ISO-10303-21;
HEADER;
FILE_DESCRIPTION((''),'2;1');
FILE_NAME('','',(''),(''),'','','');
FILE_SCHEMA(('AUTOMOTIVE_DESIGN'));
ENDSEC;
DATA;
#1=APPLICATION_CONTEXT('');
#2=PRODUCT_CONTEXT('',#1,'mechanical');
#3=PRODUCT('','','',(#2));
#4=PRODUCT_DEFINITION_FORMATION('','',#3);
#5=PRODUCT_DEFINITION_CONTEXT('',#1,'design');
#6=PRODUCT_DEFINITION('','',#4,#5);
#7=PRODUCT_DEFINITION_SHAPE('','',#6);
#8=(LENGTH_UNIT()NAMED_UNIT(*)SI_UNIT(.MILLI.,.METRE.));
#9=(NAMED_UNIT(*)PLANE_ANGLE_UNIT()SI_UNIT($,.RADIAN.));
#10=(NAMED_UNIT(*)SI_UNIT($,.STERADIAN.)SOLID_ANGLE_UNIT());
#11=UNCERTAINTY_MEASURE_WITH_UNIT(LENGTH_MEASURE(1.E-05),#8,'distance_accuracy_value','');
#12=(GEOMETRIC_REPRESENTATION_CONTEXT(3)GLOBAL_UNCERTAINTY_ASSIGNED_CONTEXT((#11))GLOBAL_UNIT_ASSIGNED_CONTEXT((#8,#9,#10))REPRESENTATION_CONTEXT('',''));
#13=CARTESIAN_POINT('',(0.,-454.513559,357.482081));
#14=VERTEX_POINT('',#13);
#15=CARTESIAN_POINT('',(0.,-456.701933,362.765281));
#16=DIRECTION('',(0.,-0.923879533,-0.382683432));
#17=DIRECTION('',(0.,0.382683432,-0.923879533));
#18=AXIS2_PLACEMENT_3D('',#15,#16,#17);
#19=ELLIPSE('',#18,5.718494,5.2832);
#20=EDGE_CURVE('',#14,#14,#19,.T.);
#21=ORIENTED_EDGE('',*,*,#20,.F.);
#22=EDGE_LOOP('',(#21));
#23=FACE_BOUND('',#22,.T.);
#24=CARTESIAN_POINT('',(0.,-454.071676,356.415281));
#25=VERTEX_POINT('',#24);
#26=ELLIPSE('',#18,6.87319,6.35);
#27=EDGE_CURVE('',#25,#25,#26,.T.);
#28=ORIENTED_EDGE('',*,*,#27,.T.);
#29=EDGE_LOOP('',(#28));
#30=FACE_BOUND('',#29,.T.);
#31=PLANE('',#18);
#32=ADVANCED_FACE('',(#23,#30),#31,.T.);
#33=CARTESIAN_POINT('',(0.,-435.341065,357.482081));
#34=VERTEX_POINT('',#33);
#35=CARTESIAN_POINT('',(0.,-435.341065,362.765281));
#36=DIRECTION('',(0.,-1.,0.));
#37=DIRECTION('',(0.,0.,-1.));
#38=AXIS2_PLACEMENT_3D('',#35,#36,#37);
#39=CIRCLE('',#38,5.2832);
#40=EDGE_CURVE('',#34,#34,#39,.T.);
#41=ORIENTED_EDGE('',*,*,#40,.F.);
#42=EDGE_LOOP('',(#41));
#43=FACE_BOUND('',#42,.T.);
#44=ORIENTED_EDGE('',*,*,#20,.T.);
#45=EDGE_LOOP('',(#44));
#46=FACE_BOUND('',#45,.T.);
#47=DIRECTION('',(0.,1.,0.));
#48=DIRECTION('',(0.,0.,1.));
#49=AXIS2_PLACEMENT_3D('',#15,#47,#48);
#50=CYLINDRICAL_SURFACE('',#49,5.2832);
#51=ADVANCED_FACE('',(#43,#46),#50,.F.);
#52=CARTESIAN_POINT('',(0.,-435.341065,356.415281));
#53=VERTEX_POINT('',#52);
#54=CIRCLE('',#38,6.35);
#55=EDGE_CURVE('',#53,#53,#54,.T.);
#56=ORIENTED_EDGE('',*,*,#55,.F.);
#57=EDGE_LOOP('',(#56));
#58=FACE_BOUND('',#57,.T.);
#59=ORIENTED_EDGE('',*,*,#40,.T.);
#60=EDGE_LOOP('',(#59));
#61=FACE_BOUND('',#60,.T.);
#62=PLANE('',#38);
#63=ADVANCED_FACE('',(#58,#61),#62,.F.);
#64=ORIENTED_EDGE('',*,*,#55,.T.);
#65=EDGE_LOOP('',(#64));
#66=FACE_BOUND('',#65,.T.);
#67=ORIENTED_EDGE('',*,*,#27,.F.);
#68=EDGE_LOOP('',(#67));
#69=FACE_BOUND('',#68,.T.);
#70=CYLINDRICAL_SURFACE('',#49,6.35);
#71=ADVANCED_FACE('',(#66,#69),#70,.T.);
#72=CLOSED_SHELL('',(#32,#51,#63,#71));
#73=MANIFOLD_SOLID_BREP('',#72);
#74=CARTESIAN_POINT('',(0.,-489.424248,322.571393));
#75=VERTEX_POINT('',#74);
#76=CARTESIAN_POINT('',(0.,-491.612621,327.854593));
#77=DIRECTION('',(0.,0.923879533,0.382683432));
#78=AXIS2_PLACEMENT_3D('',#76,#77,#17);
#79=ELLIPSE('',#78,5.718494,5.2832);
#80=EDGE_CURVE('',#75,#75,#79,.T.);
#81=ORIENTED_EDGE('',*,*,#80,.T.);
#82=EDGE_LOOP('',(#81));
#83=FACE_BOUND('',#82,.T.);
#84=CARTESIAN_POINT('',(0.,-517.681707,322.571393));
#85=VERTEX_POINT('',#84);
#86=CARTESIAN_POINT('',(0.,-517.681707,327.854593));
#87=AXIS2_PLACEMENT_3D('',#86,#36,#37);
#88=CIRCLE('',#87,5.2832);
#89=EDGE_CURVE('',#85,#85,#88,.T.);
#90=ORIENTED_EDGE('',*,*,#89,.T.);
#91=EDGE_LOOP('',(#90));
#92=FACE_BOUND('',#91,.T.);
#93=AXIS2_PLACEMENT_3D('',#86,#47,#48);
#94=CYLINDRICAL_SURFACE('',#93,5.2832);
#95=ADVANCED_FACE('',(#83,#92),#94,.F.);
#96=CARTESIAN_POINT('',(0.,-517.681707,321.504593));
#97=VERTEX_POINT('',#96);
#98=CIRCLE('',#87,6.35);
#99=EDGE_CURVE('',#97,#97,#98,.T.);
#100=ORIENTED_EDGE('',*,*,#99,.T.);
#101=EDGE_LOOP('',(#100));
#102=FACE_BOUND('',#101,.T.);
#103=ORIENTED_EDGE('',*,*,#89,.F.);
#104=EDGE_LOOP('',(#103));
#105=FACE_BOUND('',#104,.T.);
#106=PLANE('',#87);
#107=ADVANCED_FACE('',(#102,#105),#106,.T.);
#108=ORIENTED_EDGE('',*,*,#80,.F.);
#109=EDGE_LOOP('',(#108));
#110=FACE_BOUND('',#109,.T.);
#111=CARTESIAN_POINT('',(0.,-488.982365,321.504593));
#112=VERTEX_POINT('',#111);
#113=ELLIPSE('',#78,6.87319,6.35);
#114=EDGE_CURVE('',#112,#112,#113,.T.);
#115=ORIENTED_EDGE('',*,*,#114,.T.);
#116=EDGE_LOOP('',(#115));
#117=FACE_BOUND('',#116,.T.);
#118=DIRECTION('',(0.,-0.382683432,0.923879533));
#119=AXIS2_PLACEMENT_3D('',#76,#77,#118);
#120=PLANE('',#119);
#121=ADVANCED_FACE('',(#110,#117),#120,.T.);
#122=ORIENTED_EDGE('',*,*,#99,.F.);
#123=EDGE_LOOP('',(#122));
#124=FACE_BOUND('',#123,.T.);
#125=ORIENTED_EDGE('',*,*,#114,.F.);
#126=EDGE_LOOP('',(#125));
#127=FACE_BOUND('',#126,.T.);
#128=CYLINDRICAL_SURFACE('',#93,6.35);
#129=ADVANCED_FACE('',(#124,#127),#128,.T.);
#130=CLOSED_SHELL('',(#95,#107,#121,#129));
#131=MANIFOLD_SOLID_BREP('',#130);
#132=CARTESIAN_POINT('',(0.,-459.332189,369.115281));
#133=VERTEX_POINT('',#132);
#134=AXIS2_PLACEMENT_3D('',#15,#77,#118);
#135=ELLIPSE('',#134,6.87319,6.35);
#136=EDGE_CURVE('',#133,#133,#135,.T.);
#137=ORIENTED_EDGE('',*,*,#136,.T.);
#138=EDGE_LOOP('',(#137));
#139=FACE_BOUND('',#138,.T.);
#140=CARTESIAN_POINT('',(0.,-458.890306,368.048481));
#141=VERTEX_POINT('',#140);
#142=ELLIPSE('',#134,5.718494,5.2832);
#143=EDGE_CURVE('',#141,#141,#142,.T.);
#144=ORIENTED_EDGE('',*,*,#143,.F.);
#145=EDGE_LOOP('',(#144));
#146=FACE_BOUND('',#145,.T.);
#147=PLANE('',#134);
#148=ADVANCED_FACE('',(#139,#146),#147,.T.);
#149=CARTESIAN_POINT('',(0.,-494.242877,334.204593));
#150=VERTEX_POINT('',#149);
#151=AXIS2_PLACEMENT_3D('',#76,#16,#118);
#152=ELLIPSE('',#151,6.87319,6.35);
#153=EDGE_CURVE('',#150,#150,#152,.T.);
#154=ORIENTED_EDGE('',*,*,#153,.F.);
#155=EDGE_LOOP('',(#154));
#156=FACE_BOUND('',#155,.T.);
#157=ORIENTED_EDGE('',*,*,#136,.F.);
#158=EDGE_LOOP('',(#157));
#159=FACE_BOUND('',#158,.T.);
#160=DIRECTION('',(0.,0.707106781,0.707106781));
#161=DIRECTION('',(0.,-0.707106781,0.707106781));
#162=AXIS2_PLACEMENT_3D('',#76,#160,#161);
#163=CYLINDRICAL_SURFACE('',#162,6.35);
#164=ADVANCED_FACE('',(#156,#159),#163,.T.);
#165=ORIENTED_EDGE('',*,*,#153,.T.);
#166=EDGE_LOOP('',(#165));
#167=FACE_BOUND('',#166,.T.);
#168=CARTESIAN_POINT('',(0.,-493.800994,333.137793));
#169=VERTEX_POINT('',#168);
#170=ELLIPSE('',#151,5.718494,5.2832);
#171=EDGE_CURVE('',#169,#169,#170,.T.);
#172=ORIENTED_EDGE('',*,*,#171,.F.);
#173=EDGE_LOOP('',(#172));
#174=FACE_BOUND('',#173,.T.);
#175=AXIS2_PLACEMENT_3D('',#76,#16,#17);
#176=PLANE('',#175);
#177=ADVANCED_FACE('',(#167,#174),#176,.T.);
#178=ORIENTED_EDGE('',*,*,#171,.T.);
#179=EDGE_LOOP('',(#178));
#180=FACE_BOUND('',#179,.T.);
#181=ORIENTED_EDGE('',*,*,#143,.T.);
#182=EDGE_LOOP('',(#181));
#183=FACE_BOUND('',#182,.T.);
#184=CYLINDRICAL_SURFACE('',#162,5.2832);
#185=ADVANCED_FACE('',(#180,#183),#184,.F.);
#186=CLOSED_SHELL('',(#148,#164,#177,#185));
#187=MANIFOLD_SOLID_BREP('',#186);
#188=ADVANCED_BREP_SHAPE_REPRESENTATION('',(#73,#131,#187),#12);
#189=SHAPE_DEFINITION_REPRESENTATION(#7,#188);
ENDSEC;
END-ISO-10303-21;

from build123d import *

# Parameters (mm, degrees)
SKETCH11_R                = 6.35
SKETCH11_R_2              = 5.2832
PIPE_0_5_SCH_40_1_DEPTH   = 26.080611598
SKETCH11_ON_SEGMENT_2_R   = 6.35
SKETCH11_ON_SEGMENT_2_R_2 = 5.2832
PIPE_0_5_SCH_40_1_2_DEPTH = 58.810656537
SKETCH11_ON_SEGMENT_3_R   = 6.35
SKETCH11_ON_SEGMENT_3_R_2 = 5.2832
PIPE_0_5_SCH_40_1_3_DEPTH = 30.788829985


with BuildPart() as part:
    # Sketch11 → Pipe 0.5 SCH 40(1) (new body)
    with BuildSketch(Plane(origin=(0, -435.341064838, 362.765281468), x_dir=(0, 0, -1), z_dir=(0, -1, 0))):
        Circle(SKETCH11_R)
        Circle(SKETCH11_R_2, mode=Mode.SUBTRACT)
    extrude(amount=PIPE_0_5_SCH_40_1_DEPTH)

    # Pipe 0.5 SCH 40(1) mitre 1
    split(bisect_by=Plane(origin=(0, -456.701932557, 362.765281468), x_dir=(-1, 0, 0), z_dir=(0, 0.923879533, 0.382683432)), keep=Keep.TOP)


with BuildPart() as body_2:
    # Sketch11 on segment 2 (carried to segment 2) → Pipe 0.5 SCH 40_1 2 (new body)
    with BuildSketch(Plane(origin=(0, -453.364569654, 366.10264437), x_dir=(0, 0.707106781, -0.707106781), z_dir=(0, -0.707106781, -0.707106781))):
        Circle(SKETCH11_ON_SEGMENT_2_R)
        Circle(SKETCH11_ON_SEGMENT_2_R_2, mode=Mode.SUBTRACT)
    extrude(amount=PIPE_0_5_SCH_40_1_2_DEPTH)

    # Pipe 0.5 SCH 40_1 2 mitre 1
    split(bisect_by=Plane(origin=(0, -456.701932557, 362.765281468), x_dir=(1, 0, 0), z_dir=(0, -0.923879533, -0.382683432)), keep=Keep.TOP)

    # Pipe 0.5 SCH 40_1 2 mitre 2
    split(bisect_by=Plane(origin=(0, -491.612620796, 327.854593229), x_dir=(-1, 0, 0), z_dir=(0, 0.923879533, 0.382683432)), keep=Keep.TOP)


with BuildPart() as body_3:
    # Sketch11 on segment 3 (carried to segment 3) → Pipe 0.5 SCH 40_1 3 (new body)
    with BuildSketch(Plane(origin=(0, -486.892876917, 327.854593229), x_dir=(0, 0, -1), z_dir=(0, -1, 0))):
        Circle(SKETCH11_ON_SEGMENT_3_R)
        Circle(SKETCH11_ON_SEGMENT_3_R_2, mode=Mode.SUBTRACT)
    extrude(amount=PIPE_0_5_SCH_40_1_3_DEPTH)

    # Pipe 0.5 SCH 40_1 3 mitre 1
    split(bisect_by=Plane(origin=(0, -491.612620796, 327.854593229), x_dir=(1, 0, 0), z_dir=(0, -0.923879533, -0.382683432)), keep=Keep.TOP)


solid = Compound([part.part, body_2.part, body_3.part])
